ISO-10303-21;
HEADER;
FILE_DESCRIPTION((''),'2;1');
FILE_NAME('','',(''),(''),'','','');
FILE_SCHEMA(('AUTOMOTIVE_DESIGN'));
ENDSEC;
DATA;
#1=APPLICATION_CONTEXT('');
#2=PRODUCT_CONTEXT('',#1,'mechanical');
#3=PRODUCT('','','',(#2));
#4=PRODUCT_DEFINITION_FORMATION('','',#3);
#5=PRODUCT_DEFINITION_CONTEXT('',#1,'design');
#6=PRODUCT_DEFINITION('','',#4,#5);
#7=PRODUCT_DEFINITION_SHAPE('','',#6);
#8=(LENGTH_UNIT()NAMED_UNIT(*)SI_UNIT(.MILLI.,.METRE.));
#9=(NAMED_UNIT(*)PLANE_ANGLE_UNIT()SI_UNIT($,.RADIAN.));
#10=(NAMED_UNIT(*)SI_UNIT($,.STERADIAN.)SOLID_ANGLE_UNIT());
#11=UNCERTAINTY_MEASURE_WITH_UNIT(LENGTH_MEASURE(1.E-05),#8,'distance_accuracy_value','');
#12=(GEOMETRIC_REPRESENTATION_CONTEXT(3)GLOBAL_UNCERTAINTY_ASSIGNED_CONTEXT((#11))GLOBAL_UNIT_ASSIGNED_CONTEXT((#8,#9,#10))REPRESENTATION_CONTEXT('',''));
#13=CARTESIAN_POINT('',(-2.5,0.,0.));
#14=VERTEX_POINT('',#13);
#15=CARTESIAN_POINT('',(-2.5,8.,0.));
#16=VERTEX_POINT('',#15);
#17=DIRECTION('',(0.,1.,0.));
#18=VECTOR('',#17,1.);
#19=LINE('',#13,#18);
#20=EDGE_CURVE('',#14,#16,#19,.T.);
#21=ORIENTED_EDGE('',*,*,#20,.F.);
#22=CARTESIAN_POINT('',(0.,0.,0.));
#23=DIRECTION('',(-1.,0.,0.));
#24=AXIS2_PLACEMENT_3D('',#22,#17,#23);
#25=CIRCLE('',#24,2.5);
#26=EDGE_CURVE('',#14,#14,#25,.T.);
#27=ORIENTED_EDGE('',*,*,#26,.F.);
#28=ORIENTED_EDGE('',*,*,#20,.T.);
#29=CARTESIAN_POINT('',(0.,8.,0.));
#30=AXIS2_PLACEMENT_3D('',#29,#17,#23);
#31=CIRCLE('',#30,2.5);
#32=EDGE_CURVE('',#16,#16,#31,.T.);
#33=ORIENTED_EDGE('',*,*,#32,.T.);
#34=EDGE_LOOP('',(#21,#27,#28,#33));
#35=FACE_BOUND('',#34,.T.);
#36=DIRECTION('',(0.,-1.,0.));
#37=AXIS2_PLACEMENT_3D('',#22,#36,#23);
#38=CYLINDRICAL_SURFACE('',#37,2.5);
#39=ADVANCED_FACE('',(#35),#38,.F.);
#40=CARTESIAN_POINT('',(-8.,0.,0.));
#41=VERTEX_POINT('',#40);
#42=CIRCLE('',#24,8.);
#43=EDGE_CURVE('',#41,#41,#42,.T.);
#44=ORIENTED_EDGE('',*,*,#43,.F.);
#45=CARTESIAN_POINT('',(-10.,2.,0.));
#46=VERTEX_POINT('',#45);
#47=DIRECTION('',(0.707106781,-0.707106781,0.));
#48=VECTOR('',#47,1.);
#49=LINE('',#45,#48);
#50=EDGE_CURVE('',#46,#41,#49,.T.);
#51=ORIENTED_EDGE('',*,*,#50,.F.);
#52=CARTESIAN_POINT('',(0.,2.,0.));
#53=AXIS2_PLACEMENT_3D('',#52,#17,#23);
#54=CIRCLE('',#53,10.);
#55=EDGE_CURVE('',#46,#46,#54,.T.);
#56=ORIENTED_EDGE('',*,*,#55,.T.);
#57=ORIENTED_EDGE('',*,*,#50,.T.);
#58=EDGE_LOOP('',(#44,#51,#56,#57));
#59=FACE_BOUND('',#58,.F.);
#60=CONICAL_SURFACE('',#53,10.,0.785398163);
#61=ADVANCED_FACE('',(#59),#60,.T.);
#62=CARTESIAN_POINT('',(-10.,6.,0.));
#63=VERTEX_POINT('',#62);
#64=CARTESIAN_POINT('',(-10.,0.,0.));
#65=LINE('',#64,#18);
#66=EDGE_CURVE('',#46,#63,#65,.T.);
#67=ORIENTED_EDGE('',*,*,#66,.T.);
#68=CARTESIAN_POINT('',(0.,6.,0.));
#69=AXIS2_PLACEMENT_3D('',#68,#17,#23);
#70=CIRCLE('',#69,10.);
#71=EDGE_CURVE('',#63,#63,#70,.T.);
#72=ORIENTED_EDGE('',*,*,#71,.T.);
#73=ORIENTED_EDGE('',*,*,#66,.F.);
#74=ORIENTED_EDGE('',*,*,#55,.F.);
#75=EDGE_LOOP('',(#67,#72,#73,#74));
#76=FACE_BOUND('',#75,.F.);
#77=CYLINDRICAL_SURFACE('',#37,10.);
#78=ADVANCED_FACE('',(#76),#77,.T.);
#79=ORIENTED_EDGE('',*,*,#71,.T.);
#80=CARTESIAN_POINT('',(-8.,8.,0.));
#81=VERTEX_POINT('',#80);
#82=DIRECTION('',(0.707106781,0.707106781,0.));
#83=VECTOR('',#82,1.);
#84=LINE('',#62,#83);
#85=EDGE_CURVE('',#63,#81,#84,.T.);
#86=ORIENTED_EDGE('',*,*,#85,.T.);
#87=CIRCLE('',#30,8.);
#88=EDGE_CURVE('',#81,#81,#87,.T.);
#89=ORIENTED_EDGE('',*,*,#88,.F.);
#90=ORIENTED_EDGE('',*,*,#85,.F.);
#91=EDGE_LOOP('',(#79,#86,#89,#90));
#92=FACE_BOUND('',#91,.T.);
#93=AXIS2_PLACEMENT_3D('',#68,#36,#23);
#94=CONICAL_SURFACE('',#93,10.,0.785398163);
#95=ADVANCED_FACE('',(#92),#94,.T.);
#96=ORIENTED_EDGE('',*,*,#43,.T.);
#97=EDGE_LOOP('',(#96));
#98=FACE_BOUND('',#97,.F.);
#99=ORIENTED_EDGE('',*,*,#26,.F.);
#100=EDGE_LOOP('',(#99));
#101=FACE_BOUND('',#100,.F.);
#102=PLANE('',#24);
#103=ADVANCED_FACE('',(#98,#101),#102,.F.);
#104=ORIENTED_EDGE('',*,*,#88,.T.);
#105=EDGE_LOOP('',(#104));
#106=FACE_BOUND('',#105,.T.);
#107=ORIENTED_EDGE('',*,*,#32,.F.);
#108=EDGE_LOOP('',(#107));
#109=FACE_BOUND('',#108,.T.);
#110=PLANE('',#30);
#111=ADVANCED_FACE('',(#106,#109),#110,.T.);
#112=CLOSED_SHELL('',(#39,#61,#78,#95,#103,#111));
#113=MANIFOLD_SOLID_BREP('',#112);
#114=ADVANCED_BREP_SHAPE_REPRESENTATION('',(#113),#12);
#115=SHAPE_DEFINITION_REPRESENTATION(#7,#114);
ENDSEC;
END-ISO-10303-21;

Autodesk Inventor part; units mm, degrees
ref_plane "YZ Plane" through (0, 0, 0) normal (1, 0, 0) x (0, 1, 0)
ref_plane "XZ Plane" through (0, 0, 0) normal (0, 1, 0) x (-1, 0, 0)
ref_plane "XY Plane" through (0, 0, 0) normal (0, 0, 1) x (1, 0, 0)
sketch "Sketch1" plane through (0, 0, 0) normal (0, 1, 0) x (-1, 0, 0)
  circle A0 centre (0, 0) radius 10
  circle A1 centre (0, 0) radius 2.5
  dimension "d0" = 20
  dimension "d1" = 5
extrude "Extrusion1" add sketch "Sketch1" along normal blind 8
chamfer "Chamfer1" distance 2 angle 45 2 edges at (10, 8, 0) (10, 0, 0)
properties part number "5mmx20mmx8mm bearing" material "Stainless Steel"
